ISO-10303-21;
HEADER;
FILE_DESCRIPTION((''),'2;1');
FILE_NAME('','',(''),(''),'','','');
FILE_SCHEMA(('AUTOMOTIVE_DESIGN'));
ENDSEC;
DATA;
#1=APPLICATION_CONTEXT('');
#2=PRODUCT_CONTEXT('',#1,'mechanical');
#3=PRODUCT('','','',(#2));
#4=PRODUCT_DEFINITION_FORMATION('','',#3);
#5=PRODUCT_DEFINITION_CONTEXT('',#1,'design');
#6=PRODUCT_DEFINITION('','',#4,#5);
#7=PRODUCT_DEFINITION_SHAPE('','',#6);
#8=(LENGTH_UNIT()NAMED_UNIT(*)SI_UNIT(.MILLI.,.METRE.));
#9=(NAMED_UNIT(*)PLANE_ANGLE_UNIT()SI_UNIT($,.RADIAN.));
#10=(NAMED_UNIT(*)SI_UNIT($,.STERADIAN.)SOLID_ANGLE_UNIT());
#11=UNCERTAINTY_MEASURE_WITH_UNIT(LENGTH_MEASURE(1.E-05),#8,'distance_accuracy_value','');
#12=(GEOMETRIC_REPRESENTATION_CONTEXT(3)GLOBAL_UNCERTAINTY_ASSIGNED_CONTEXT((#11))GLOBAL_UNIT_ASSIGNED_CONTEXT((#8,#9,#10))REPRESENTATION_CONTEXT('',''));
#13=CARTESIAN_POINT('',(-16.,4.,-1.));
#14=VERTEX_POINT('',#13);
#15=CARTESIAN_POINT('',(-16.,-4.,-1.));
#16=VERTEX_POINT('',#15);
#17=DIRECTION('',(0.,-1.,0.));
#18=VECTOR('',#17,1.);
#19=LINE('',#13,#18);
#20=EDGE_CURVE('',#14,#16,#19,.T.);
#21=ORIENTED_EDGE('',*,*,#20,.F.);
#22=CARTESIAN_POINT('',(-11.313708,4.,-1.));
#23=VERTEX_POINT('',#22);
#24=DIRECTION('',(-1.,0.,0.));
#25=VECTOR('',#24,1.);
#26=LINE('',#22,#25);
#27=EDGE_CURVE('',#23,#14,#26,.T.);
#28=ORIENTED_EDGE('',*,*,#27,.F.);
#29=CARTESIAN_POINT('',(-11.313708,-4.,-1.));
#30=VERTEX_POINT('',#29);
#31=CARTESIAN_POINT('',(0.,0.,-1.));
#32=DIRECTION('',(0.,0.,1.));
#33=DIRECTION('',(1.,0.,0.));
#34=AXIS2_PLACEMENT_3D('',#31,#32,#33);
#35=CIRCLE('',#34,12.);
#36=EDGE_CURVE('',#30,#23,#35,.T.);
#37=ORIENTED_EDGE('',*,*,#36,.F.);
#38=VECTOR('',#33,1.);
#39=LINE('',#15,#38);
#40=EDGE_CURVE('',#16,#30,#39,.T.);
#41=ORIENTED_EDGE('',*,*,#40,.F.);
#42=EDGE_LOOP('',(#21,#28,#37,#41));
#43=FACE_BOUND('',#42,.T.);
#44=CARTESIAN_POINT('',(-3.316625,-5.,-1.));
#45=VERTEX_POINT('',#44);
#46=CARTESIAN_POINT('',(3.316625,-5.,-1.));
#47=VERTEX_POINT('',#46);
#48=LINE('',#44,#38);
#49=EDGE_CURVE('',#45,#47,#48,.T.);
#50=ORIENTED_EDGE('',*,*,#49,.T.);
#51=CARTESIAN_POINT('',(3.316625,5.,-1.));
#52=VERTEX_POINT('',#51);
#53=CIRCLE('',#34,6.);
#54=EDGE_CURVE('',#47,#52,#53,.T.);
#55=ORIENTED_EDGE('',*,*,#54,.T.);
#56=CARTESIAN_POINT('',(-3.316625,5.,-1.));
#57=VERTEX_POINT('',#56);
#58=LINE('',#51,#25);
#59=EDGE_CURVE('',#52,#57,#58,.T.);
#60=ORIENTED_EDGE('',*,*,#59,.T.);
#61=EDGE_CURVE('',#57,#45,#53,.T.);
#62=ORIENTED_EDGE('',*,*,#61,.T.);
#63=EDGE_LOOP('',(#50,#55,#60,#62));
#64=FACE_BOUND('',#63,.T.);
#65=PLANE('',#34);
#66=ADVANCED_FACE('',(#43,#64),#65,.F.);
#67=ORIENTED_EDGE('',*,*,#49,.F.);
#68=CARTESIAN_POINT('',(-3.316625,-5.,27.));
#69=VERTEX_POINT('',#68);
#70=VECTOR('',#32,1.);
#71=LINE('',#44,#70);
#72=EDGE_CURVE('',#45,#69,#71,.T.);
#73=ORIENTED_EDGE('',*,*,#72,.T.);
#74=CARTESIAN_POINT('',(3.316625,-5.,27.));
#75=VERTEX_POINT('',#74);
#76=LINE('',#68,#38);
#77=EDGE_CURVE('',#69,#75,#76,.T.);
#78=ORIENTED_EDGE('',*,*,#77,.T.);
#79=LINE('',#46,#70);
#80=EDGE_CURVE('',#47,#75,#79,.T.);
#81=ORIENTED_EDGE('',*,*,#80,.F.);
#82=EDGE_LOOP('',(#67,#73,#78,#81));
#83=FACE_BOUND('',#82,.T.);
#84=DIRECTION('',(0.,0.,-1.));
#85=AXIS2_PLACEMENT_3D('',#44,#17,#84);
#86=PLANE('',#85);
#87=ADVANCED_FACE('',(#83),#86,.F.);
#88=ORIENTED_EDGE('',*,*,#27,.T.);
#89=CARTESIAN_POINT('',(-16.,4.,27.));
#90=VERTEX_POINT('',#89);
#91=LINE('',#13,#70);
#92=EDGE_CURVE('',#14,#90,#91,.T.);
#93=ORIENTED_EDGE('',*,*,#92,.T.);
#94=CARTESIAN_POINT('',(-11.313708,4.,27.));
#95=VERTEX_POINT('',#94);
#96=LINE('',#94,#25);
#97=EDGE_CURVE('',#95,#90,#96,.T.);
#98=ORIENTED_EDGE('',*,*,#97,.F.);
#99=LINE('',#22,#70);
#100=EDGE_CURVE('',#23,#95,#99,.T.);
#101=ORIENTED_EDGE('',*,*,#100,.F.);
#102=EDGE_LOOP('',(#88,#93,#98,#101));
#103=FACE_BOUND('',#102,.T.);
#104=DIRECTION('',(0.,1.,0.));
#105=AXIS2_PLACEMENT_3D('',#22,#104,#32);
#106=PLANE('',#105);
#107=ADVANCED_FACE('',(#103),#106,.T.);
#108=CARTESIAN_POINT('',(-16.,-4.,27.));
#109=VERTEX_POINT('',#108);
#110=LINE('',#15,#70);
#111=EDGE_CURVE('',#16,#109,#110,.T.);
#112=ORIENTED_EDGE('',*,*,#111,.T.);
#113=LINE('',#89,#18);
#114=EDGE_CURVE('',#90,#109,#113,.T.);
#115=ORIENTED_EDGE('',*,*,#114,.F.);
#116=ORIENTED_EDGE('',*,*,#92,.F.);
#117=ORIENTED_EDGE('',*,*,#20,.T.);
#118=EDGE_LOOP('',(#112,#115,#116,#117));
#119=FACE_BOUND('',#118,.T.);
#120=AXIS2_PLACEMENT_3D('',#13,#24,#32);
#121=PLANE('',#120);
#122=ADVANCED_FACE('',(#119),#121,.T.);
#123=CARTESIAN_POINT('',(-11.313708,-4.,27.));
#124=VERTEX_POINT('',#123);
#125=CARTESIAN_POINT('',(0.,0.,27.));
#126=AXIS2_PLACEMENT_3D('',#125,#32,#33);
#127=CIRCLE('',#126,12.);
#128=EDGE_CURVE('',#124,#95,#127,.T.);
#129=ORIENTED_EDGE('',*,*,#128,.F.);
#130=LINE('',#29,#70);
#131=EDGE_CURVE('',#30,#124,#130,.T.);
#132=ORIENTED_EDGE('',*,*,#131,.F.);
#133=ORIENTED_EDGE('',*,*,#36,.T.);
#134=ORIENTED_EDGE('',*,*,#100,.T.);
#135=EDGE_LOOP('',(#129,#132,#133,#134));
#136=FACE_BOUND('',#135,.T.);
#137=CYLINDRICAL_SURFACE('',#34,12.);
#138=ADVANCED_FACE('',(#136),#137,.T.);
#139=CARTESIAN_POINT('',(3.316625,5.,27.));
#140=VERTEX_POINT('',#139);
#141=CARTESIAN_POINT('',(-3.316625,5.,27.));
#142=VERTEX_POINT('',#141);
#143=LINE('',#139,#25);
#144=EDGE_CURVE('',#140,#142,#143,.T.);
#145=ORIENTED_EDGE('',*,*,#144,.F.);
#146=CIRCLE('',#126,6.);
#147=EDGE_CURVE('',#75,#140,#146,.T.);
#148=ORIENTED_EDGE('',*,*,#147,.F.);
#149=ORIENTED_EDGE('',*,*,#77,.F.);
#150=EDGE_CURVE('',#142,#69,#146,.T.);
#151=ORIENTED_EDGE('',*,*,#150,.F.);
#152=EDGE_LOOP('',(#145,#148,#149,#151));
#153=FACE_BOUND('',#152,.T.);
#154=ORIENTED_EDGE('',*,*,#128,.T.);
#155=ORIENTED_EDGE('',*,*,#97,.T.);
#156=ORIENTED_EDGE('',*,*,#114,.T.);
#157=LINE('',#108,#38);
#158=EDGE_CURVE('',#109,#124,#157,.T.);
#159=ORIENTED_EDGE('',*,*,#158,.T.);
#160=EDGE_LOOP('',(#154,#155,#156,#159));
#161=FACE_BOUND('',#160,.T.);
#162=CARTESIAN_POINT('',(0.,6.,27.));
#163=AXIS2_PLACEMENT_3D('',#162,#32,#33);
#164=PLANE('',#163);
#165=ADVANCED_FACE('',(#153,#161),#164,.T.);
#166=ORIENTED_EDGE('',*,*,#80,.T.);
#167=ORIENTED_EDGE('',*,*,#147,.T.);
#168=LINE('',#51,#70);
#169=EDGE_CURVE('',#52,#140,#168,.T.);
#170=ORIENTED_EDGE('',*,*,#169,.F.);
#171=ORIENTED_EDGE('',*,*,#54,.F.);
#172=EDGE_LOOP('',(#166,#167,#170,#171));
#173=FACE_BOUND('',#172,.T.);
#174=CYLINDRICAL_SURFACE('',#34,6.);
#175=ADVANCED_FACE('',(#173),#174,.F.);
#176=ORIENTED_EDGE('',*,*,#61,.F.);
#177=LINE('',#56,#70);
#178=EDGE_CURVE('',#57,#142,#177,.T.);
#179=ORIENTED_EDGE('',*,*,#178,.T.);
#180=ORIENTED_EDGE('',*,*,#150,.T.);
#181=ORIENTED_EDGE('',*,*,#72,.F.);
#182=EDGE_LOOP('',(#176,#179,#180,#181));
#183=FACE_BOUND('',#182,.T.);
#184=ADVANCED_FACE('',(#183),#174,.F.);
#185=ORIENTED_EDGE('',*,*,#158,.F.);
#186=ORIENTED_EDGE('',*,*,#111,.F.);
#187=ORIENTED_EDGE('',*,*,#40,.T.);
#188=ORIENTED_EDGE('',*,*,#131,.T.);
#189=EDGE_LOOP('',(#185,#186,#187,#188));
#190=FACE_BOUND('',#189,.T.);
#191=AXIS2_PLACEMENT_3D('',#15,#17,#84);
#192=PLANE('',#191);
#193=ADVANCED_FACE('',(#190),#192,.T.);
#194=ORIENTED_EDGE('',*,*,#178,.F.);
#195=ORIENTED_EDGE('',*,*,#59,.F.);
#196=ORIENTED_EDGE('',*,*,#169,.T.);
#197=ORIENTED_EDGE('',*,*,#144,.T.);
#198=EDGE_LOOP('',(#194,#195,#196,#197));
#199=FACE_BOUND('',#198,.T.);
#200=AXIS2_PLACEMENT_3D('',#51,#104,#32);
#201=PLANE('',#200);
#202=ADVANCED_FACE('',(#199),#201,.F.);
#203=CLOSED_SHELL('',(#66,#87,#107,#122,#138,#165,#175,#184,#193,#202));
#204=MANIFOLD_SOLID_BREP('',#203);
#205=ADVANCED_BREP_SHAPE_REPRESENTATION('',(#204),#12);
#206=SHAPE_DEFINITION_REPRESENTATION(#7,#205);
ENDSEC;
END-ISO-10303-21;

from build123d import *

# Parameters (mm, degrees)
EXTRUDE_1_DEPTH      = 27
EXTRUDE_1_DEPTH_BACK = 1


with BuildPart() as part:
    # Эскиз1 → Бобышка-Вытянуть1 (new body, two sides)
    with BuildSketch(Plane.XY) as extrude_1_sk:
        with BuildLine():
            Line((-11.313708499, 4), (-16, 4))
            Line((-16, 4), (-16, -4))
            Line((-16, -4), (-11.313708499, -4))
            ThreePointArc((-11.313708499, -4), (12, 0), (-11.313708499, 4))
        make_face()
        with BuildLine():
            Line((3.31662479, 5), (-3.31662479, 5))
            ThreePointArc((-3.31662479, 5), (-6, 0), (-3.31662479, -5))
            Line((-3.31662479, -5), (3.31662479, -5))
            ThreePointArc((3.31662479, -5), (6, 0), (3.31662479, 5))
        make_face(mode=Mode.SUBTRACT)
    extrude(amount=EXTRUDE_1_DEPTH)
    extrude(extrude_1_sk.sketch, amount=-EXTRUDE_1_DEPTH_BACK)


solid = part.part
